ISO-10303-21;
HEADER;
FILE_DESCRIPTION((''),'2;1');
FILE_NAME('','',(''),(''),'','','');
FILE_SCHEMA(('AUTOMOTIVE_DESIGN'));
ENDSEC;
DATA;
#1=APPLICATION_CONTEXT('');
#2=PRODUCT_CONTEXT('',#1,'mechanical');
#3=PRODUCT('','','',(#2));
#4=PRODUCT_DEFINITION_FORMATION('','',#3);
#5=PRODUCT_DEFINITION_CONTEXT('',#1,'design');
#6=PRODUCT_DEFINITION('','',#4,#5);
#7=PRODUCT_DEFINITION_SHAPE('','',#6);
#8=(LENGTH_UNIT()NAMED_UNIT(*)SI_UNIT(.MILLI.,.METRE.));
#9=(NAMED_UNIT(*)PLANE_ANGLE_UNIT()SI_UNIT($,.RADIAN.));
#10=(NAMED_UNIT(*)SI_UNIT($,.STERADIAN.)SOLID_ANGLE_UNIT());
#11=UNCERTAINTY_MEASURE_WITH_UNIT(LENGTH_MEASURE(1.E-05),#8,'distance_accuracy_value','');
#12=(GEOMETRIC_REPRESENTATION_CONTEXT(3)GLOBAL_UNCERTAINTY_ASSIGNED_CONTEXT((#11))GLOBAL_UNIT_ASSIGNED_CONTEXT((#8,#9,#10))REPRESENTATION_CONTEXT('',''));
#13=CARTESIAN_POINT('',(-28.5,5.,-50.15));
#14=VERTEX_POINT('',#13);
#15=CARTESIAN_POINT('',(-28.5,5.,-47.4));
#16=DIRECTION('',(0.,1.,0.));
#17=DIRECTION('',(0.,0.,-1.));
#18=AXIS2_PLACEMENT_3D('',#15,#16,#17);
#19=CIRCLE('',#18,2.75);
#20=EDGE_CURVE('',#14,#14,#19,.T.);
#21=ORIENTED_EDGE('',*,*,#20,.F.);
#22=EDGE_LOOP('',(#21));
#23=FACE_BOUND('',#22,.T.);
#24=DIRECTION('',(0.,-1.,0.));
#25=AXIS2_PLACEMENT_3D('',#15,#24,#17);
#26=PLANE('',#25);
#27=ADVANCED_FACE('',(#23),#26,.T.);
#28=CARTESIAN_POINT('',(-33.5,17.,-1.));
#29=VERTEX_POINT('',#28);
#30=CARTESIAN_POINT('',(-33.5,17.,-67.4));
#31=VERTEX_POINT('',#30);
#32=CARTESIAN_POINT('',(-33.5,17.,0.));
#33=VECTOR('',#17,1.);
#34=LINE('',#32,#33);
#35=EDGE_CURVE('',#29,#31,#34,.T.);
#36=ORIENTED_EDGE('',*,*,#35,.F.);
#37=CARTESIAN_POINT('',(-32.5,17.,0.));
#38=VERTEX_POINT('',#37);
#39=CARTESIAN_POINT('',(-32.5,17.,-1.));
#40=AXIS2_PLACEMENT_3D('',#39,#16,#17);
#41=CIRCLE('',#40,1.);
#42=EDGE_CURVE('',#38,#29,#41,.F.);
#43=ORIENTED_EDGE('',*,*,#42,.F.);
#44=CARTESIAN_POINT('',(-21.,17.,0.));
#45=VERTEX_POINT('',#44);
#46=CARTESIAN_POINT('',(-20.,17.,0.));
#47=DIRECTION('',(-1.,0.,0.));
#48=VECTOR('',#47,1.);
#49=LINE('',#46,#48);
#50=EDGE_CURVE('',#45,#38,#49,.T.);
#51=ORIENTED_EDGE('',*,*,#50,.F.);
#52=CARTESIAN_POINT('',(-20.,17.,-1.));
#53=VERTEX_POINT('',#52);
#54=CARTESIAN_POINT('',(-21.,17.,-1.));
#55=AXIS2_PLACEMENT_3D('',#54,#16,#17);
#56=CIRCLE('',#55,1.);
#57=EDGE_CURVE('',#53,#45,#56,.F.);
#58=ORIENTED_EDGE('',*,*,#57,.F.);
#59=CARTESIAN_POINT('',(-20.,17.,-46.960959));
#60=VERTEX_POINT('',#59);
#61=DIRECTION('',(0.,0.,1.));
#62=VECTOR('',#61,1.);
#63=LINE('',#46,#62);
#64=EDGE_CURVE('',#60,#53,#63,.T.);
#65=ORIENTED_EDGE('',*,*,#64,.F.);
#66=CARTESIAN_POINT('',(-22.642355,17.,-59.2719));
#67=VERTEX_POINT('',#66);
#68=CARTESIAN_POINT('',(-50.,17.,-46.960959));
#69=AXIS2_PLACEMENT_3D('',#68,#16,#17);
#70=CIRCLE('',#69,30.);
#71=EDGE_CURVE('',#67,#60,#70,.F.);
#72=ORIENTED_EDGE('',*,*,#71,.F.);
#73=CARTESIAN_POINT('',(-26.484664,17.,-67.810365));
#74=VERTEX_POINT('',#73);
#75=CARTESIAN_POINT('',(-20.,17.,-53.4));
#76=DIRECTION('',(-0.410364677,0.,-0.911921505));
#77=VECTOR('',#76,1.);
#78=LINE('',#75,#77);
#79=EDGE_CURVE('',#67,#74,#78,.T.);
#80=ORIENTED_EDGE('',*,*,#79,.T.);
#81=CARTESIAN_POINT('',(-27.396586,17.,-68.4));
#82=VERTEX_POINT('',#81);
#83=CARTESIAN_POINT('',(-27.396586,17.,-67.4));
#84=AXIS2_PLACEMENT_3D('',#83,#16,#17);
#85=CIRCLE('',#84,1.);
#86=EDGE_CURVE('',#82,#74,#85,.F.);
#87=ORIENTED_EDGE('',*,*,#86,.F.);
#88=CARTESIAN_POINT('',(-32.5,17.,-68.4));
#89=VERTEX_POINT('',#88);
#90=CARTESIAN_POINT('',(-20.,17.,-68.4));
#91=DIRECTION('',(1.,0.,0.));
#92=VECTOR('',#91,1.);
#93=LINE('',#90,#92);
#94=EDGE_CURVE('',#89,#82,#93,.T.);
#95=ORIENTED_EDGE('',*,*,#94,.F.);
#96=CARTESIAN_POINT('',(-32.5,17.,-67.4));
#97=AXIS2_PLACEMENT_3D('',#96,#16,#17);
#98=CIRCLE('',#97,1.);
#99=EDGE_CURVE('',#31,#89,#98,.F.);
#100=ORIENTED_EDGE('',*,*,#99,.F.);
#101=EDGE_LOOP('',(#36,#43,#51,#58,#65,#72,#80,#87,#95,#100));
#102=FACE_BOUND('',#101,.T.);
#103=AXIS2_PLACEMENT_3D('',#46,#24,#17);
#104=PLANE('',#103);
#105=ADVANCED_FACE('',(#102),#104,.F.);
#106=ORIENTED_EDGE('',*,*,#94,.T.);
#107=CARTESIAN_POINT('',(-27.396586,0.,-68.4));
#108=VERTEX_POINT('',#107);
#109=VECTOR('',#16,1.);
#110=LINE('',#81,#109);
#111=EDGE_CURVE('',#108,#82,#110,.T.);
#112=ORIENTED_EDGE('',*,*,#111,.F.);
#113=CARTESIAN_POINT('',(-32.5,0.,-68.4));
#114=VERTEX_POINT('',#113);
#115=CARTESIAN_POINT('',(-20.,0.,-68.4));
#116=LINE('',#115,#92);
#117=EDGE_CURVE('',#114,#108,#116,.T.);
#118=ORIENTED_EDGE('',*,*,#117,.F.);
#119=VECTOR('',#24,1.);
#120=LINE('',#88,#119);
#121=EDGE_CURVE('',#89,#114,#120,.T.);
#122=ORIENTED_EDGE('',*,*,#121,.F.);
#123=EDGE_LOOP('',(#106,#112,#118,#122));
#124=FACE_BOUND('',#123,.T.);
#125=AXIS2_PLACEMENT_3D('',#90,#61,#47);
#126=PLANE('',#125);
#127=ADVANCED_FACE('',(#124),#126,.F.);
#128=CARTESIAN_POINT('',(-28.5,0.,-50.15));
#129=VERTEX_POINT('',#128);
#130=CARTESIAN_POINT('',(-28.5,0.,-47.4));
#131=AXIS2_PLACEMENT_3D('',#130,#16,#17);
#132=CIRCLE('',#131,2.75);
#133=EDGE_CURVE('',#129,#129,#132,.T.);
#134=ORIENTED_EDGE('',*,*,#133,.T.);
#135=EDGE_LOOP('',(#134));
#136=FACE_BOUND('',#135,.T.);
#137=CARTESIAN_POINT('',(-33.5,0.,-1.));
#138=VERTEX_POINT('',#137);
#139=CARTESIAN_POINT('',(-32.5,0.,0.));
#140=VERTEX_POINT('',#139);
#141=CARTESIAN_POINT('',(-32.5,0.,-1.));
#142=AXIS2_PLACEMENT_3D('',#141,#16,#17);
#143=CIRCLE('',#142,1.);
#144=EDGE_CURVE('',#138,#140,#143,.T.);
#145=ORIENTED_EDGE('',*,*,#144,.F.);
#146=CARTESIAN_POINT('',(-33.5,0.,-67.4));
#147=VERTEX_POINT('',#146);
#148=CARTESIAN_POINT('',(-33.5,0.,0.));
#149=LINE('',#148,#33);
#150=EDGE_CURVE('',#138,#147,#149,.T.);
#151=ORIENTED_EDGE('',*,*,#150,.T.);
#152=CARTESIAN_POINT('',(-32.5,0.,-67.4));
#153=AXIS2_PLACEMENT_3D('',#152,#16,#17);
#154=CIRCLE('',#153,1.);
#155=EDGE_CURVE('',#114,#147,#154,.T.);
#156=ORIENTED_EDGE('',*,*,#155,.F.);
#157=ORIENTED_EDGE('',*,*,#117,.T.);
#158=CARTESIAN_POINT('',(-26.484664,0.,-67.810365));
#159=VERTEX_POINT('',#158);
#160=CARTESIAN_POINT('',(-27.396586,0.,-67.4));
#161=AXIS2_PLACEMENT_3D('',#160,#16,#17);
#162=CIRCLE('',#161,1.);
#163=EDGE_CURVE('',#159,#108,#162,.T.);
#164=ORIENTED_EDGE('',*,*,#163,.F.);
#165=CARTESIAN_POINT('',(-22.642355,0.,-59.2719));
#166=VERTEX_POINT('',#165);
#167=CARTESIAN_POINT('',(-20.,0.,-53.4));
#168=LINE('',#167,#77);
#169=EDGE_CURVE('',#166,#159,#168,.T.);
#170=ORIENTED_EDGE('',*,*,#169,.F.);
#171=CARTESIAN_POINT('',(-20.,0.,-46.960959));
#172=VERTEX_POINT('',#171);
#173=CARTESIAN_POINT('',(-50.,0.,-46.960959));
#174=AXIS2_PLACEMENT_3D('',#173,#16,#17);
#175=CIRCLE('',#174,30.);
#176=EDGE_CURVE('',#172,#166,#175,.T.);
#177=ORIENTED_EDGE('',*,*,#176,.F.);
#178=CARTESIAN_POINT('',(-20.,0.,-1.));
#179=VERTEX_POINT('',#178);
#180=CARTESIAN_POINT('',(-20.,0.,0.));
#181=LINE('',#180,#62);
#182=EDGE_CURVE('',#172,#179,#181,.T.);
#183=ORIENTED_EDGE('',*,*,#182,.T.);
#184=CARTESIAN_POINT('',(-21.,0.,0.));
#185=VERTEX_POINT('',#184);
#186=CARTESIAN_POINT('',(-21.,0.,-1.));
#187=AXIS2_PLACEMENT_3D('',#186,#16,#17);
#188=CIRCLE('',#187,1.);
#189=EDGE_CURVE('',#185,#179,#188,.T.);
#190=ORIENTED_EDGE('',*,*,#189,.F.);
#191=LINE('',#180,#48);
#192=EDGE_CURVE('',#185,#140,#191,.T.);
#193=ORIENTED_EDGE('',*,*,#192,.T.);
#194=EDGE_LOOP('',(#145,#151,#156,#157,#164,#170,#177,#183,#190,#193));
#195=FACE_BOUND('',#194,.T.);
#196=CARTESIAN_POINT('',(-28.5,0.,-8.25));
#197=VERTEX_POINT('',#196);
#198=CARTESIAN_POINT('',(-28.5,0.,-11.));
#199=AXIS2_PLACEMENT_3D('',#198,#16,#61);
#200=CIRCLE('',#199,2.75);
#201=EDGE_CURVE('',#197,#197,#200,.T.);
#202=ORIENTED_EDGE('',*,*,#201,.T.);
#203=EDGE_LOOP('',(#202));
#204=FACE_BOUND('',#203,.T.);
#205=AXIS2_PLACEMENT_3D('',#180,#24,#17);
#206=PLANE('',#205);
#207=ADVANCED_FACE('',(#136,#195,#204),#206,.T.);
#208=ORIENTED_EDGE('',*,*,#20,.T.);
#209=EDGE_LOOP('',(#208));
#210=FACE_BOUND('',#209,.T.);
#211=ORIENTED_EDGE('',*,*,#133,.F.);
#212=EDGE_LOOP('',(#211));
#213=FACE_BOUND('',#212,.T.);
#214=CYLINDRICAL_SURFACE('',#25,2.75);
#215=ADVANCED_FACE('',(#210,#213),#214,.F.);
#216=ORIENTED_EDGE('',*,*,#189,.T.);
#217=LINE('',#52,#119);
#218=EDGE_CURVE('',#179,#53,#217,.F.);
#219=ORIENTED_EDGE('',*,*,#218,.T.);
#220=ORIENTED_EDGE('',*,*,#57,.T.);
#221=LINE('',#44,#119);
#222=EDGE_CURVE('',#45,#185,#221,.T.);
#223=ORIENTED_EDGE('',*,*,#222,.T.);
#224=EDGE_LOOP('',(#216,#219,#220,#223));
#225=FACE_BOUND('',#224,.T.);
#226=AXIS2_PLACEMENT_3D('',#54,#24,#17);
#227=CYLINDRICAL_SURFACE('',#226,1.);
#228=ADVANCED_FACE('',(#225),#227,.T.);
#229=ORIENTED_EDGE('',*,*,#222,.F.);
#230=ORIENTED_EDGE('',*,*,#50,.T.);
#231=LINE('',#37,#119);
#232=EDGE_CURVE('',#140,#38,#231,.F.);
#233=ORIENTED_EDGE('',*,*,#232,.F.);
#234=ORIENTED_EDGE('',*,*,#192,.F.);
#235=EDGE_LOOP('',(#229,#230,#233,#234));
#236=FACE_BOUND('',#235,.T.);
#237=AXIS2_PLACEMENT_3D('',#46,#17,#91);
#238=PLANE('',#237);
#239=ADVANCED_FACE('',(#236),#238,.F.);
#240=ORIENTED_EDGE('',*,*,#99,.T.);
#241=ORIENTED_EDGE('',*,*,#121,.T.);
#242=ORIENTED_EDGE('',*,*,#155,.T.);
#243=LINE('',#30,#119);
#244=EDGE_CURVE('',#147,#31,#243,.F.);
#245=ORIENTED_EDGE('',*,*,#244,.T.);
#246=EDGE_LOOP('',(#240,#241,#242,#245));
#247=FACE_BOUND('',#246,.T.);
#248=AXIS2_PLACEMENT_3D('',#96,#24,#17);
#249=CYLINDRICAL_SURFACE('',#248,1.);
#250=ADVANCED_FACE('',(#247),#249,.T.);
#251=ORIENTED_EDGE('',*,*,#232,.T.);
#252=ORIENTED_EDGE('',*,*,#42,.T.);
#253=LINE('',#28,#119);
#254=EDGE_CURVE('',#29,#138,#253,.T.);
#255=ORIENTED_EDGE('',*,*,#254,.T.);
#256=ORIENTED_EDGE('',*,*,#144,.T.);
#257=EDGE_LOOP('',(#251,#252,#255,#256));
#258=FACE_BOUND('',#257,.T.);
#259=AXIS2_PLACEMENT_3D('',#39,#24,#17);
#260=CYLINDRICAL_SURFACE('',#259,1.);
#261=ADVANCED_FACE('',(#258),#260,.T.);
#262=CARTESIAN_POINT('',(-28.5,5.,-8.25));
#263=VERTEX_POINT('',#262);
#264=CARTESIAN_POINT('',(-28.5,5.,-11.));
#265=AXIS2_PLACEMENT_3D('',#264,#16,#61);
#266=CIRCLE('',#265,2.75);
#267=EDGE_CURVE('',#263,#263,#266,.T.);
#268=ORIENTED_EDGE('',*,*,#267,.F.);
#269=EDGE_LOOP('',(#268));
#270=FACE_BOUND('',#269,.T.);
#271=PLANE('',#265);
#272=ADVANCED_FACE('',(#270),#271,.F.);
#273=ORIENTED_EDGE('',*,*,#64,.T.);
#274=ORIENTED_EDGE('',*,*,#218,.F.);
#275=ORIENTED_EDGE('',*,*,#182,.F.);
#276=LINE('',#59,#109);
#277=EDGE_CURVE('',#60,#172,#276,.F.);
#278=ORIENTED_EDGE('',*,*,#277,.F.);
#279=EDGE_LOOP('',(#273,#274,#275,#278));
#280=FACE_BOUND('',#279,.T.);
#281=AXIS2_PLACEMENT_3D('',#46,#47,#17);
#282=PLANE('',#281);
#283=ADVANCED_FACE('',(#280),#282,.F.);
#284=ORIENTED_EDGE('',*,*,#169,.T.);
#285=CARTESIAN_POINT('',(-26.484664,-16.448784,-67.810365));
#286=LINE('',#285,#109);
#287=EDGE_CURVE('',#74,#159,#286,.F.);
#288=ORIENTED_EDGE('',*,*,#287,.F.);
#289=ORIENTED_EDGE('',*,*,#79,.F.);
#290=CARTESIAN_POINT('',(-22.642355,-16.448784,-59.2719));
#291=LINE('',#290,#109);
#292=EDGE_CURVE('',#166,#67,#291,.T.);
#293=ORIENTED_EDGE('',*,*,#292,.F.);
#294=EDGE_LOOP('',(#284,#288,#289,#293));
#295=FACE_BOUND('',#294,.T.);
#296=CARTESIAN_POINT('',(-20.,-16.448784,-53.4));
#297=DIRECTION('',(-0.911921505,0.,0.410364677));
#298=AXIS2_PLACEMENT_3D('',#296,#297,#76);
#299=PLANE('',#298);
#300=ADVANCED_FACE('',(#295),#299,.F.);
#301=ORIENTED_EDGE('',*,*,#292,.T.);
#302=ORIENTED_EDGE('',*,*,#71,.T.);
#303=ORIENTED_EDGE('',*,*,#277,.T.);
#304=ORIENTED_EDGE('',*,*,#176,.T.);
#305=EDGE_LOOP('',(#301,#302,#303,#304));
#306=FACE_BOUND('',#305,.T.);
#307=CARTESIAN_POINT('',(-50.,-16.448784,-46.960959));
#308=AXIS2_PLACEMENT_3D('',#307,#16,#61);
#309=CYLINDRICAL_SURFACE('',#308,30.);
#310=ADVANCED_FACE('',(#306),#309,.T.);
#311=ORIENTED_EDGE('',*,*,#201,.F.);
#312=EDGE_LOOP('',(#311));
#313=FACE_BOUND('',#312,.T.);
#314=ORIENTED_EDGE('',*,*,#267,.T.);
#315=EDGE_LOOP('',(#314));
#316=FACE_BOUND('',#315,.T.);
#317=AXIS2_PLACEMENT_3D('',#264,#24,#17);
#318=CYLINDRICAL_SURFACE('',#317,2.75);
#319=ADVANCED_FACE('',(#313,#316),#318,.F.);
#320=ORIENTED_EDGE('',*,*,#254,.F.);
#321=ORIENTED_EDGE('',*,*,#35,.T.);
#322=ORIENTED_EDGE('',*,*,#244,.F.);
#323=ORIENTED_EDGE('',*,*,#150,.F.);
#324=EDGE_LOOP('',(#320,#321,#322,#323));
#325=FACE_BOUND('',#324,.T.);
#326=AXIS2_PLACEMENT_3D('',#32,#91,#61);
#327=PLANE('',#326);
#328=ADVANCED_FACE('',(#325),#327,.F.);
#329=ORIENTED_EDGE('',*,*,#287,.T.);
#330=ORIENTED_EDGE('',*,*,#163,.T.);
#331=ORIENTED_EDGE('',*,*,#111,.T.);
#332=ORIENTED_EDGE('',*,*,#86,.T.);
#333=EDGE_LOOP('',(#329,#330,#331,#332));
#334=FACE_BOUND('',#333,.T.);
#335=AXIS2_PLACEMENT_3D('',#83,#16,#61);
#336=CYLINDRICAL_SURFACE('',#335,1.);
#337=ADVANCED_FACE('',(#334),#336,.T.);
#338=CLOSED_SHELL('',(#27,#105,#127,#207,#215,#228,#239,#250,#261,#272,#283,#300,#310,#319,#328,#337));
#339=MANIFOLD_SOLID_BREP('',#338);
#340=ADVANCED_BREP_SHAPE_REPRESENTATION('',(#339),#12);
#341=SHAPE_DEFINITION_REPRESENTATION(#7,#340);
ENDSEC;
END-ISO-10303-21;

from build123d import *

# Parameters (mm, degrees)
SKETCH_1_W          = 13.5
SKETCH_1_H          = 68.4
EXTRUDE_1_DEPTH     = 17
SKETCH_2_R          = 2.75
CUT_EXTRUDE_1_DEPTH = 5
CUT_EXTRUDE_2_DEPTH = 17
EXTRUDE_2_DEPTH     = 5.5
SKETCH_11_W         = 4
SKETCH_11_H         = 20
CUT_EXTRUDE_7_DEPTH = 17
FILLET_1_R          = 30
FILLET_2_R          = 1
SKETCH_7_W          = 30
SKETCH_7_H          = 69.053295448
CUT_EXTRUDE_4_DEPTH = 17


with BuildPart() as part:
    # ｽｹｯﾁ1 → ﾎﾞｽ - 押し出し1 (new body)
    with BuildSketch(Plane(origin=(0, 0, 0), x_dir=(1, 0, 0), z_dir=(0, 1, 0))):
        with Locations((6.75, 34.2)):
            Rectangle(SKETCH_1_W, SKETCH_1_H)
    extrude(amount=EXTRUDE_1_DEPTH)

    # ｽｹｯﾁ2 → ｶｯﾄ - 押し出し1 (cut)
    with BuildSketch(Plane.XZ):
        with Locations(Location((8.5, -47.4, 0), (0, 0, 270))):
            Circle(SKETCH_2_R)
        with Locations(Location((8.5, -11, 0), (0, 0, 90))):
            Circle(SKETCH_2_R)
    extrude(amount=-CUT_EXTRUDE_1_DEPTH, mode=Mode.SUBTRACT)

    # ｽｹｯﾁ3 → ｶｯﾄ - 押し出し2 (cut)
    with BuildSketch(Plane(origin=(0, 17, 0), x_dir=(1, 0, 0), z_dir=(0, 1, 0))):
        Polygon((6.75, 68.4), (0, 68.4), (0, 53.4), align=None)
    extrude(amount=-CUT_EXTRUDE_2_DEPTH, mode=Mode.SUBTRACT)

    # ｽｹｯﾁ4 → ﾎﾞｽ - 押し出し2 (add)
    with BuildSketch(Plane.XZ):
        Polygon((0, -47), (-4, -37), (-4, -27), (0, -27), align=None)
    extrude(amount=-EXTRUDE_2_DEPTH)

    # ｽｹｯﾁ11 → ｶｯﾄ - 押し出し7 (cut)
    with BuildSketch(Plane(origin=(0, 17, 0), x_dir=(1, 0, 0), z_dir=(0, 1, 0))):
        with Locations((-2, 37)):
            Rectangle(SKETCH_11_W, SKETCH_11_H)
    extrude(amount=-CUT_EXTRUDE_7_DEPTH, mode=Mode.SUBTRACT)

    # ﾌｨﾚｯﾄ1
    fillet_1_edges = [part.edges().sort_by_distance(p)[0] for p in [
        (0, 8.5, -53.4),
    ]]
    fillet(fillet_1_edges, radius=FILLET_1_R)

    # ﾌｨﾚｯﾄ2
    fillet_2_edges = [part.edges().sort_by_distance(p)[0] for p in [
        (6.75, 8.5, -68.4),
        (13.5, 8.5, -68.4),
        (13.5, 8.5, 0),
        (0, 8.5, 0),
    ]]
    fillet(fillet_2_edges, radius=FILLET_2_R)


with BuildPart() as body_2:
    # ﾐﾗｰ1: mirrored copy
    add(part.part.mirror(Plane.ZY.offset(10)))


with BuildPart() as part_1:
    add(part.part)

    # ｽｹｯﾁ7 → ｶｯﾄ - 押し出し4 (cut)
    with BuildSketch(Plane(origin=(0, 17, 0), x_dir=(1, 0, 0), z_dir=(0, 1, 0))):
        with Locations((-1.5, 34.526647724)):
            Rectangle(SKETCH_7_W, SKETCH_7_H)
    extrude(amount=-CUT_EXTRUDE_4_DEPTH, mode=Mode.SUBTRACT)


solid = body_2.part
